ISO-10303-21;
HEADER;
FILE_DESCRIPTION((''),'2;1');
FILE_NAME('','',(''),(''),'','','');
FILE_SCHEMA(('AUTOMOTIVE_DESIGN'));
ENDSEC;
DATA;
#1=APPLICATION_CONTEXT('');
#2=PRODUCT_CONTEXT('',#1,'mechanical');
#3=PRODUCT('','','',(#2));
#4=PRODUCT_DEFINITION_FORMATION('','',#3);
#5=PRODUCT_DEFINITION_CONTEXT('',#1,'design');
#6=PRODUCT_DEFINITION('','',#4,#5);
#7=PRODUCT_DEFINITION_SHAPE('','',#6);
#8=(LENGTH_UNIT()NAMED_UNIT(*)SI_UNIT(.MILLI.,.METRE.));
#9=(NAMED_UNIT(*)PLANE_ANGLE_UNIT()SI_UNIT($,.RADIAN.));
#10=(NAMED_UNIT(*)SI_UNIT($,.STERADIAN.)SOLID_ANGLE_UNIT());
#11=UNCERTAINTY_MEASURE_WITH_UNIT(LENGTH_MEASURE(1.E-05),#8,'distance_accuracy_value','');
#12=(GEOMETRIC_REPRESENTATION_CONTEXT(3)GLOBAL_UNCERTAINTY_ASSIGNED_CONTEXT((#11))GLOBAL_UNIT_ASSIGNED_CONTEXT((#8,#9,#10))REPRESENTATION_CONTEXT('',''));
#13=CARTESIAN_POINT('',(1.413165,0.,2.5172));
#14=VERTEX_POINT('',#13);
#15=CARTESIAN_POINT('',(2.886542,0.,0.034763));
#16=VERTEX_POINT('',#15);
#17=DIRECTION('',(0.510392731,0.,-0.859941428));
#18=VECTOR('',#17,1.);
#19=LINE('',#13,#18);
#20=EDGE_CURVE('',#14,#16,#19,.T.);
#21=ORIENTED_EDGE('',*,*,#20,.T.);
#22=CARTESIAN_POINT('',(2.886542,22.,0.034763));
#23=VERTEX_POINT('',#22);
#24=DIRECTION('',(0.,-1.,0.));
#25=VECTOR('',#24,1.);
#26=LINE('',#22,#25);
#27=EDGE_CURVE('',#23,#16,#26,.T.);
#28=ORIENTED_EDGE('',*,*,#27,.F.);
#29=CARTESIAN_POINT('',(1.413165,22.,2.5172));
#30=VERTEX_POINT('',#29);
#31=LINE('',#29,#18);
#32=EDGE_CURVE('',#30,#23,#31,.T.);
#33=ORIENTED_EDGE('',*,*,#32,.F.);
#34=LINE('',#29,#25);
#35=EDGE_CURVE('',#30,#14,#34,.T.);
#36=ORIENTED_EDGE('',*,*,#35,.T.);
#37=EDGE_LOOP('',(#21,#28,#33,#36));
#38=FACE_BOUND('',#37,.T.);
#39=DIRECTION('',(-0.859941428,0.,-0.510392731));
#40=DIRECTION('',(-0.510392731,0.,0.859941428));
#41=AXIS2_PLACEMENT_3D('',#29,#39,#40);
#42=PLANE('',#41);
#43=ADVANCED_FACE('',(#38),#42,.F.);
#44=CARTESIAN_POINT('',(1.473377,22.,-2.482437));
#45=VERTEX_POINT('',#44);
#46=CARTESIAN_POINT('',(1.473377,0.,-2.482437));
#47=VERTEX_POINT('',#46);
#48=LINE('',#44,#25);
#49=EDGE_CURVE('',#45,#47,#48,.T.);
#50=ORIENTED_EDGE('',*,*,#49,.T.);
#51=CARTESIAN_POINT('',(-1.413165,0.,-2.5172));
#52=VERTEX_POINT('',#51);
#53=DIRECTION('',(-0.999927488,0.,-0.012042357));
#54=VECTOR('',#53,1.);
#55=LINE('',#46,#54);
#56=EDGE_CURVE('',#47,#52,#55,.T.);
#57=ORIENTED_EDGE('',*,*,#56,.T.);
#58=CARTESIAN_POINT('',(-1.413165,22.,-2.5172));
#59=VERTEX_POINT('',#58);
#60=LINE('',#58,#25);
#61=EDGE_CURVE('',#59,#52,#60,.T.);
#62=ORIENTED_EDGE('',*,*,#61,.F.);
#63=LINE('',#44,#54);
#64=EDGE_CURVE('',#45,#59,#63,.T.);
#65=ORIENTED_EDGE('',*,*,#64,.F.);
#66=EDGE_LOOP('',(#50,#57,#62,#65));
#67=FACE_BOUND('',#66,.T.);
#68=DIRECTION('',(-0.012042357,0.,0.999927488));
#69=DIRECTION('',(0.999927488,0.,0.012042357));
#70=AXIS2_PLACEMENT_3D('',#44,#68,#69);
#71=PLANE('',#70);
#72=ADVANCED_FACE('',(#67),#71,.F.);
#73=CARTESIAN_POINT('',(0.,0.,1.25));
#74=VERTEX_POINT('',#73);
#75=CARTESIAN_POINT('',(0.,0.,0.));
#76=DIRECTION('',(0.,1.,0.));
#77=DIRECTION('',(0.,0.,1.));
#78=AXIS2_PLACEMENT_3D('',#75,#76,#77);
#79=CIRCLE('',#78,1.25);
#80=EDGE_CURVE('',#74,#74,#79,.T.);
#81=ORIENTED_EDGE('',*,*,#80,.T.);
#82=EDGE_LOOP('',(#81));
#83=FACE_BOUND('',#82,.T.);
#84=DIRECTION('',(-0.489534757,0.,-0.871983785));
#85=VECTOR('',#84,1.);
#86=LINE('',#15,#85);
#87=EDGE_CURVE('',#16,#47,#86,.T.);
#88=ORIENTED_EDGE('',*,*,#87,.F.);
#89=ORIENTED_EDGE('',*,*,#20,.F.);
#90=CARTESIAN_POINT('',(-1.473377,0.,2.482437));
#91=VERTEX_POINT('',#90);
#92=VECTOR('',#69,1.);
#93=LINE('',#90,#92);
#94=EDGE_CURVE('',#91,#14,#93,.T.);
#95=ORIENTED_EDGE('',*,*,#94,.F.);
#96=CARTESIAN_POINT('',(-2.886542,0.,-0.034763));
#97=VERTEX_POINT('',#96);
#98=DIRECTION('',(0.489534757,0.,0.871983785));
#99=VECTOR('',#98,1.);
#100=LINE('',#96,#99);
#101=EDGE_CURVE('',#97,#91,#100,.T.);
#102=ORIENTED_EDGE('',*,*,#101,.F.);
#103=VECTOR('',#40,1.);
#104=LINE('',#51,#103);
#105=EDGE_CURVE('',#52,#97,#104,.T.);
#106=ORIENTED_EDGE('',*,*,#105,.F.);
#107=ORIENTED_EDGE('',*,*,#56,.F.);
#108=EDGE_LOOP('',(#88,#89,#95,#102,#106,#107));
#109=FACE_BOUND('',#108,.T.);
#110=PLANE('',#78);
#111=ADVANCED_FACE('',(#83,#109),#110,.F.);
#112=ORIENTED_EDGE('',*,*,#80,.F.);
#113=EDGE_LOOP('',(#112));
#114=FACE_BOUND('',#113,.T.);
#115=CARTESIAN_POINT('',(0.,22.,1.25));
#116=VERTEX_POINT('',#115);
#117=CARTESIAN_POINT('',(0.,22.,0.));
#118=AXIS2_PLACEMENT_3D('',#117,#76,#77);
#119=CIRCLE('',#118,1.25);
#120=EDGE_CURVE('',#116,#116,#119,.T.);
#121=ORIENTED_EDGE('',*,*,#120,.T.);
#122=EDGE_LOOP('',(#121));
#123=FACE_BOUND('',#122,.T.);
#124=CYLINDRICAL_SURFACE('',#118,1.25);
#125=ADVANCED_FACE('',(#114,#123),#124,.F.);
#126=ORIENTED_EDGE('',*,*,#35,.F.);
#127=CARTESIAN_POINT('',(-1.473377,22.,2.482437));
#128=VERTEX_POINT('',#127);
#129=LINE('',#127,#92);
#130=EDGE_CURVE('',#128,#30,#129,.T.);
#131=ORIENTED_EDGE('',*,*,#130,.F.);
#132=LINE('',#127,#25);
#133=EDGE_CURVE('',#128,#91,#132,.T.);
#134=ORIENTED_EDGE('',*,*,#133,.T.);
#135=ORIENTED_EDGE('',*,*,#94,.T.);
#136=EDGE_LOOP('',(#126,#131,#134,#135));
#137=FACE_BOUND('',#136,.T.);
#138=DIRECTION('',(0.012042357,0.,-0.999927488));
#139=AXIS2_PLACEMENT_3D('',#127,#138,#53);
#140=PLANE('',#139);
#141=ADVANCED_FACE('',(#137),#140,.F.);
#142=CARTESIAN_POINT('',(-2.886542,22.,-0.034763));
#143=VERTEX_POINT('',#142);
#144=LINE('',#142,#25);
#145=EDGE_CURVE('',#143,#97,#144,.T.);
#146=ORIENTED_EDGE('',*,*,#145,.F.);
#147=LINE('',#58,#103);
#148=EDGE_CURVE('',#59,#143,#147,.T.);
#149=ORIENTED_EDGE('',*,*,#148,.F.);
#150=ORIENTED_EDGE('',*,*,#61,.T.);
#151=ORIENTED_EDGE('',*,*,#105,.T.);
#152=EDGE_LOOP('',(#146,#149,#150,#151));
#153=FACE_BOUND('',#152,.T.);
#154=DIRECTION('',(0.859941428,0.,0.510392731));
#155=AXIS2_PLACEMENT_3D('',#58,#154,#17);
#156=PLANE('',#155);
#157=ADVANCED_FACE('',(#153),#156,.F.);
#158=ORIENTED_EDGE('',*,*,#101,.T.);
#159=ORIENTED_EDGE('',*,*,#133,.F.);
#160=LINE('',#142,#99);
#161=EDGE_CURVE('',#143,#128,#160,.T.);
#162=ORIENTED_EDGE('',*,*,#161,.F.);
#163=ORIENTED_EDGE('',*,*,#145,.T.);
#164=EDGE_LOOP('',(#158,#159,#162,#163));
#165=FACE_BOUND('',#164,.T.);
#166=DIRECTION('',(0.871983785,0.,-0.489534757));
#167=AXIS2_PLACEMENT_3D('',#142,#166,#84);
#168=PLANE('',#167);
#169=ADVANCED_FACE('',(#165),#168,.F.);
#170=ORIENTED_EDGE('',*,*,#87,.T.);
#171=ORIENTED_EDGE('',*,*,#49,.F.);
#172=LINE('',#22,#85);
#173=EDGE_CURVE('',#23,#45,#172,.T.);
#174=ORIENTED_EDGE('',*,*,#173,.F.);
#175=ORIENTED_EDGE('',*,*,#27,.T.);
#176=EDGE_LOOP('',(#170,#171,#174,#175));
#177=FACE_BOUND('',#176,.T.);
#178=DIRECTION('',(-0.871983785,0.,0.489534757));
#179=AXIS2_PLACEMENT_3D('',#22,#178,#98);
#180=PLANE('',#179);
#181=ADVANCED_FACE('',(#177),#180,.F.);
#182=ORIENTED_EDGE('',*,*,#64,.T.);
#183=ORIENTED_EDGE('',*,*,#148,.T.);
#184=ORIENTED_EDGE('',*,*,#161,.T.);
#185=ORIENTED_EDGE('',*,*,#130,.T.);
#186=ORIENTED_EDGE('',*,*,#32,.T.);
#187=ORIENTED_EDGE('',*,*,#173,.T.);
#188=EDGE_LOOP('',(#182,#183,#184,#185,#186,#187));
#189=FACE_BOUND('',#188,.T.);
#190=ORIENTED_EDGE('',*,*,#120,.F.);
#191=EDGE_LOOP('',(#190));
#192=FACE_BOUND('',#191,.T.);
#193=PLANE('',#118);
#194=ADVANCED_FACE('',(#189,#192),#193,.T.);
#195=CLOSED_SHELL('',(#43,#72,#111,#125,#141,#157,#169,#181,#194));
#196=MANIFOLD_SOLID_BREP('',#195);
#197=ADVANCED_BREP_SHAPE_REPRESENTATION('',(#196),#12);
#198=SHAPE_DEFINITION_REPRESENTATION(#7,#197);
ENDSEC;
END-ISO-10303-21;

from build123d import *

# Parameters (mm, degrees)
BOSS_EXTRUDE1_DEPTH       = 22
M3X0_5_TAPPED_HOLE1_D     = 2.5
M3X0_5_TAPPED_HOLE1_DEPTH = 22


with BuildPart() as part:
    # Sketch1 → Boss-Extrude1 (new body)
    with BuildSketch(Plane(origin=(0, 0, 0), x_dir=(1, 0, 0), z_dir=(0, 1, 0))):
        Polygon((1.413165118, -2.517200366), (2.886542022, -0.034763291), (1.473376905, 2.482437075), (-1.413165118, 2.517200366), (-2.886542022, 0.034763291), (-1.473376905, -2.482437075), align=None)
    extrude(amount=BOSS_EXTRUDE1_DEPTH)

    # M3x0.5 Tapped Hole1
    with Locations(Plane(origin=(0, 22, 0), x_dir=(1, 0, 0), z_dir=(0, 1, 0))):
        with Locations((0, 0)):
            Hole(M3X0_5_TAPPED_HOLE1_D / 2, depth=M3X0_5_TAPPED_HOLE1_DEPTH)


solid = part.part
